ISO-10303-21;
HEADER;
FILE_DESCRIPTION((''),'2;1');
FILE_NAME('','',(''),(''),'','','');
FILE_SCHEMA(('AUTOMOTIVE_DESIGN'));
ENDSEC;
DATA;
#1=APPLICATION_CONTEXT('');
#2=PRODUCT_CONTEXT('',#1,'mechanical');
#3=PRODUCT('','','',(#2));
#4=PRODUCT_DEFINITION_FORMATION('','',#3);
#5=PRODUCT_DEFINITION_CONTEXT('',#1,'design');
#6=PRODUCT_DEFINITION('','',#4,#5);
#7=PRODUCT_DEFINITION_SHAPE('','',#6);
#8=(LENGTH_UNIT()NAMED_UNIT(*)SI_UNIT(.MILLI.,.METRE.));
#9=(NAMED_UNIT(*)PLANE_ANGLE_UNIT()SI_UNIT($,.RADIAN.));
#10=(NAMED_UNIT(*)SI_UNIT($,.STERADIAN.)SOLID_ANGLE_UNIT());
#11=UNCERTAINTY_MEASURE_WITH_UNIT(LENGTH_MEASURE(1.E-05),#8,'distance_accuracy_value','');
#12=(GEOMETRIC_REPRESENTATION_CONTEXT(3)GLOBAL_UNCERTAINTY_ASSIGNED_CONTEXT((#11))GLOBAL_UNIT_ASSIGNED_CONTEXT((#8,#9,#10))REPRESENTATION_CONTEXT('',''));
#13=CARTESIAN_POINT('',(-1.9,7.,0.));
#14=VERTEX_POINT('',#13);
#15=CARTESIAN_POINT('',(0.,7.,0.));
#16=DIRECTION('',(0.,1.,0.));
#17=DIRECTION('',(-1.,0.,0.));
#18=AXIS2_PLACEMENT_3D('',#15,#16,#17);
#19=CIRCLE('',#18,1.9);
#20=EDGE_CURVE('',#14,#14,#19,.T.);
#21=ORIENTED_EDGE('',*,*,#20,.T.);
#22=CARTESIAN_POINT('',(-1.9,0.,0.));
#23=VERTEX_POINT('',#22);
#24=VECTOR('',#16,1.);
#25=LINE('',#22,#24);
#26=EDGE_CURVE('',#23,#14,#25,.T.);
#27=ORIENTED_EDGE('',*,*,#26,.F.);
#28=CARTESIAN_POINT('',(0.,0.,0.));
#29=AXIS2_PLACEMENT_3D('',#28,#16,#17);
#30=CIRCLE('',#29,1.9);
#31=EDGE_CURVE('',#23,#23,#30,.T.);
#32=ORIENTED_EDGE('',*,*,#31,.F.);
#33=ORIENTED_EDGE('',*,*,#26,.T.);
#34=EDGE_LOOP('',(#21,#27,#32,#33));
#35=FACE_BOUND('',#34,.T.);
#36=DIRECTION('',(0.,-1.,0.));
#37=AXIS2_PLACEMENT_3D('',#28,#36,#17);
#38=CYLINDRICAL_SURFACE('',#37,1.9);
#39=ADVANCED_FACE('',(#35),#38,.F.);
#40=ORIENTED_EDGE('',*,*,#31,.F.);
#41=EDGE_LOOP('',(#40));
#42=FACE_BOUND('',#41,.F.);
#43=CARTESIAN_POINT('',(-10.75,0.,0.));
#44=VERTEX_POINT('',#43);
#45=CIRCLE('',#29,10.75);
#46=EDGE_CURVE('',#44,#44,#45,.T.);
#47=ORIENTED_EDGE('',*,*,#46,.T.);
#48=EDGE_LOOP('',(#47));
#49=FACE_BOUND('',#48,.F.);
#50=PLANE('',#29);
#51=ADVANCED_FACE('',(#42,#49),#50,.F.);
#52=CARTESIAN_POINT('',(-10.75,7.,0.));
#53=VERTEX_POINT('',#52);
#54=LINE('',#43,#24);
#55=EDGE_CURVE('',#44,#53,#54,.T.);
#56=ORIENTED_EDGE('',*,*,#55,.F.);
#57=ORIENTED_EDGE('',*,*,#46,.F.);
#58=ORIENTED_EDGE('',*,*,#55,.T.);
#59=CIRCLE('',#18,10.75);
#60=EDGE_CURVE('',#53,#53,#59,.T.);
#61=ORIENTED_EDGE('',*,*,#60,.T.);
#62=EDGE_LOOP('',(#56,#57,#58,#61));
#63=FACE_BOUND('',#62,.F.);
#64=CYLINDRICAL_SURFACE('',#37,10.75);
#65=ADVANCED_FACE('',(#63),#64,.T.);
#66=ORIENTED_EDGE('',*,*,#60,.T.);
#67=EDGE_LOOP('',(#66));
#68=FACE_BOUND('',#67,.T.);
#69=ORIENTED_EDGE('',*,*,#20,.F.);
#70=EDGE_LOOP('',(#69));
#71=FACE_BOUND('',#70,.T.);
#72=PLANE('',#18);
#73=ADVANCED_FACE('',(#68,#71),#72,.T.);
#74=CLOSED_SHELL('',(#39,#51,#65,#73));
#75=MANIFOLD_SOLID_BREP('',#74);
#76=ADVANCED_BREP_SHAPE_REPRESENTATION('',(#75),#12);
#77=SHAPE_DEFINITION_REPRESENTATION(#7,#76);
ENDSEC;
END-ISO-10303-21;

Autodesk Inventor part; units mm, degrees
ref_plane "YZ Plane" through (0, 0, 0) normal (1, 0, 0) x (0, 1, 0)
ref_plane "XZ Plane" through (0, 0, 0) normal (0, 1, 0) x (-1, 0, 0)
ref_plane "XY Plane" through (0, 0, 0) normal (0, 0, 1) x (1, 0, 0)
sketch "スケッチ1" plane through (0, 0, 0) normal (0, 1, 0) x (-1, 0, 0)
  circle A0 centre (0, 0) radius 10.75
  circle A1 centre (0, 0) radius 1.9
  dimension "d0" = 21.5
  dimension "d3" = 3.8
extrude "押し出し1" add sketch "スケッチ1" along normal blind 7
properties part number "ベルト_支柱"
